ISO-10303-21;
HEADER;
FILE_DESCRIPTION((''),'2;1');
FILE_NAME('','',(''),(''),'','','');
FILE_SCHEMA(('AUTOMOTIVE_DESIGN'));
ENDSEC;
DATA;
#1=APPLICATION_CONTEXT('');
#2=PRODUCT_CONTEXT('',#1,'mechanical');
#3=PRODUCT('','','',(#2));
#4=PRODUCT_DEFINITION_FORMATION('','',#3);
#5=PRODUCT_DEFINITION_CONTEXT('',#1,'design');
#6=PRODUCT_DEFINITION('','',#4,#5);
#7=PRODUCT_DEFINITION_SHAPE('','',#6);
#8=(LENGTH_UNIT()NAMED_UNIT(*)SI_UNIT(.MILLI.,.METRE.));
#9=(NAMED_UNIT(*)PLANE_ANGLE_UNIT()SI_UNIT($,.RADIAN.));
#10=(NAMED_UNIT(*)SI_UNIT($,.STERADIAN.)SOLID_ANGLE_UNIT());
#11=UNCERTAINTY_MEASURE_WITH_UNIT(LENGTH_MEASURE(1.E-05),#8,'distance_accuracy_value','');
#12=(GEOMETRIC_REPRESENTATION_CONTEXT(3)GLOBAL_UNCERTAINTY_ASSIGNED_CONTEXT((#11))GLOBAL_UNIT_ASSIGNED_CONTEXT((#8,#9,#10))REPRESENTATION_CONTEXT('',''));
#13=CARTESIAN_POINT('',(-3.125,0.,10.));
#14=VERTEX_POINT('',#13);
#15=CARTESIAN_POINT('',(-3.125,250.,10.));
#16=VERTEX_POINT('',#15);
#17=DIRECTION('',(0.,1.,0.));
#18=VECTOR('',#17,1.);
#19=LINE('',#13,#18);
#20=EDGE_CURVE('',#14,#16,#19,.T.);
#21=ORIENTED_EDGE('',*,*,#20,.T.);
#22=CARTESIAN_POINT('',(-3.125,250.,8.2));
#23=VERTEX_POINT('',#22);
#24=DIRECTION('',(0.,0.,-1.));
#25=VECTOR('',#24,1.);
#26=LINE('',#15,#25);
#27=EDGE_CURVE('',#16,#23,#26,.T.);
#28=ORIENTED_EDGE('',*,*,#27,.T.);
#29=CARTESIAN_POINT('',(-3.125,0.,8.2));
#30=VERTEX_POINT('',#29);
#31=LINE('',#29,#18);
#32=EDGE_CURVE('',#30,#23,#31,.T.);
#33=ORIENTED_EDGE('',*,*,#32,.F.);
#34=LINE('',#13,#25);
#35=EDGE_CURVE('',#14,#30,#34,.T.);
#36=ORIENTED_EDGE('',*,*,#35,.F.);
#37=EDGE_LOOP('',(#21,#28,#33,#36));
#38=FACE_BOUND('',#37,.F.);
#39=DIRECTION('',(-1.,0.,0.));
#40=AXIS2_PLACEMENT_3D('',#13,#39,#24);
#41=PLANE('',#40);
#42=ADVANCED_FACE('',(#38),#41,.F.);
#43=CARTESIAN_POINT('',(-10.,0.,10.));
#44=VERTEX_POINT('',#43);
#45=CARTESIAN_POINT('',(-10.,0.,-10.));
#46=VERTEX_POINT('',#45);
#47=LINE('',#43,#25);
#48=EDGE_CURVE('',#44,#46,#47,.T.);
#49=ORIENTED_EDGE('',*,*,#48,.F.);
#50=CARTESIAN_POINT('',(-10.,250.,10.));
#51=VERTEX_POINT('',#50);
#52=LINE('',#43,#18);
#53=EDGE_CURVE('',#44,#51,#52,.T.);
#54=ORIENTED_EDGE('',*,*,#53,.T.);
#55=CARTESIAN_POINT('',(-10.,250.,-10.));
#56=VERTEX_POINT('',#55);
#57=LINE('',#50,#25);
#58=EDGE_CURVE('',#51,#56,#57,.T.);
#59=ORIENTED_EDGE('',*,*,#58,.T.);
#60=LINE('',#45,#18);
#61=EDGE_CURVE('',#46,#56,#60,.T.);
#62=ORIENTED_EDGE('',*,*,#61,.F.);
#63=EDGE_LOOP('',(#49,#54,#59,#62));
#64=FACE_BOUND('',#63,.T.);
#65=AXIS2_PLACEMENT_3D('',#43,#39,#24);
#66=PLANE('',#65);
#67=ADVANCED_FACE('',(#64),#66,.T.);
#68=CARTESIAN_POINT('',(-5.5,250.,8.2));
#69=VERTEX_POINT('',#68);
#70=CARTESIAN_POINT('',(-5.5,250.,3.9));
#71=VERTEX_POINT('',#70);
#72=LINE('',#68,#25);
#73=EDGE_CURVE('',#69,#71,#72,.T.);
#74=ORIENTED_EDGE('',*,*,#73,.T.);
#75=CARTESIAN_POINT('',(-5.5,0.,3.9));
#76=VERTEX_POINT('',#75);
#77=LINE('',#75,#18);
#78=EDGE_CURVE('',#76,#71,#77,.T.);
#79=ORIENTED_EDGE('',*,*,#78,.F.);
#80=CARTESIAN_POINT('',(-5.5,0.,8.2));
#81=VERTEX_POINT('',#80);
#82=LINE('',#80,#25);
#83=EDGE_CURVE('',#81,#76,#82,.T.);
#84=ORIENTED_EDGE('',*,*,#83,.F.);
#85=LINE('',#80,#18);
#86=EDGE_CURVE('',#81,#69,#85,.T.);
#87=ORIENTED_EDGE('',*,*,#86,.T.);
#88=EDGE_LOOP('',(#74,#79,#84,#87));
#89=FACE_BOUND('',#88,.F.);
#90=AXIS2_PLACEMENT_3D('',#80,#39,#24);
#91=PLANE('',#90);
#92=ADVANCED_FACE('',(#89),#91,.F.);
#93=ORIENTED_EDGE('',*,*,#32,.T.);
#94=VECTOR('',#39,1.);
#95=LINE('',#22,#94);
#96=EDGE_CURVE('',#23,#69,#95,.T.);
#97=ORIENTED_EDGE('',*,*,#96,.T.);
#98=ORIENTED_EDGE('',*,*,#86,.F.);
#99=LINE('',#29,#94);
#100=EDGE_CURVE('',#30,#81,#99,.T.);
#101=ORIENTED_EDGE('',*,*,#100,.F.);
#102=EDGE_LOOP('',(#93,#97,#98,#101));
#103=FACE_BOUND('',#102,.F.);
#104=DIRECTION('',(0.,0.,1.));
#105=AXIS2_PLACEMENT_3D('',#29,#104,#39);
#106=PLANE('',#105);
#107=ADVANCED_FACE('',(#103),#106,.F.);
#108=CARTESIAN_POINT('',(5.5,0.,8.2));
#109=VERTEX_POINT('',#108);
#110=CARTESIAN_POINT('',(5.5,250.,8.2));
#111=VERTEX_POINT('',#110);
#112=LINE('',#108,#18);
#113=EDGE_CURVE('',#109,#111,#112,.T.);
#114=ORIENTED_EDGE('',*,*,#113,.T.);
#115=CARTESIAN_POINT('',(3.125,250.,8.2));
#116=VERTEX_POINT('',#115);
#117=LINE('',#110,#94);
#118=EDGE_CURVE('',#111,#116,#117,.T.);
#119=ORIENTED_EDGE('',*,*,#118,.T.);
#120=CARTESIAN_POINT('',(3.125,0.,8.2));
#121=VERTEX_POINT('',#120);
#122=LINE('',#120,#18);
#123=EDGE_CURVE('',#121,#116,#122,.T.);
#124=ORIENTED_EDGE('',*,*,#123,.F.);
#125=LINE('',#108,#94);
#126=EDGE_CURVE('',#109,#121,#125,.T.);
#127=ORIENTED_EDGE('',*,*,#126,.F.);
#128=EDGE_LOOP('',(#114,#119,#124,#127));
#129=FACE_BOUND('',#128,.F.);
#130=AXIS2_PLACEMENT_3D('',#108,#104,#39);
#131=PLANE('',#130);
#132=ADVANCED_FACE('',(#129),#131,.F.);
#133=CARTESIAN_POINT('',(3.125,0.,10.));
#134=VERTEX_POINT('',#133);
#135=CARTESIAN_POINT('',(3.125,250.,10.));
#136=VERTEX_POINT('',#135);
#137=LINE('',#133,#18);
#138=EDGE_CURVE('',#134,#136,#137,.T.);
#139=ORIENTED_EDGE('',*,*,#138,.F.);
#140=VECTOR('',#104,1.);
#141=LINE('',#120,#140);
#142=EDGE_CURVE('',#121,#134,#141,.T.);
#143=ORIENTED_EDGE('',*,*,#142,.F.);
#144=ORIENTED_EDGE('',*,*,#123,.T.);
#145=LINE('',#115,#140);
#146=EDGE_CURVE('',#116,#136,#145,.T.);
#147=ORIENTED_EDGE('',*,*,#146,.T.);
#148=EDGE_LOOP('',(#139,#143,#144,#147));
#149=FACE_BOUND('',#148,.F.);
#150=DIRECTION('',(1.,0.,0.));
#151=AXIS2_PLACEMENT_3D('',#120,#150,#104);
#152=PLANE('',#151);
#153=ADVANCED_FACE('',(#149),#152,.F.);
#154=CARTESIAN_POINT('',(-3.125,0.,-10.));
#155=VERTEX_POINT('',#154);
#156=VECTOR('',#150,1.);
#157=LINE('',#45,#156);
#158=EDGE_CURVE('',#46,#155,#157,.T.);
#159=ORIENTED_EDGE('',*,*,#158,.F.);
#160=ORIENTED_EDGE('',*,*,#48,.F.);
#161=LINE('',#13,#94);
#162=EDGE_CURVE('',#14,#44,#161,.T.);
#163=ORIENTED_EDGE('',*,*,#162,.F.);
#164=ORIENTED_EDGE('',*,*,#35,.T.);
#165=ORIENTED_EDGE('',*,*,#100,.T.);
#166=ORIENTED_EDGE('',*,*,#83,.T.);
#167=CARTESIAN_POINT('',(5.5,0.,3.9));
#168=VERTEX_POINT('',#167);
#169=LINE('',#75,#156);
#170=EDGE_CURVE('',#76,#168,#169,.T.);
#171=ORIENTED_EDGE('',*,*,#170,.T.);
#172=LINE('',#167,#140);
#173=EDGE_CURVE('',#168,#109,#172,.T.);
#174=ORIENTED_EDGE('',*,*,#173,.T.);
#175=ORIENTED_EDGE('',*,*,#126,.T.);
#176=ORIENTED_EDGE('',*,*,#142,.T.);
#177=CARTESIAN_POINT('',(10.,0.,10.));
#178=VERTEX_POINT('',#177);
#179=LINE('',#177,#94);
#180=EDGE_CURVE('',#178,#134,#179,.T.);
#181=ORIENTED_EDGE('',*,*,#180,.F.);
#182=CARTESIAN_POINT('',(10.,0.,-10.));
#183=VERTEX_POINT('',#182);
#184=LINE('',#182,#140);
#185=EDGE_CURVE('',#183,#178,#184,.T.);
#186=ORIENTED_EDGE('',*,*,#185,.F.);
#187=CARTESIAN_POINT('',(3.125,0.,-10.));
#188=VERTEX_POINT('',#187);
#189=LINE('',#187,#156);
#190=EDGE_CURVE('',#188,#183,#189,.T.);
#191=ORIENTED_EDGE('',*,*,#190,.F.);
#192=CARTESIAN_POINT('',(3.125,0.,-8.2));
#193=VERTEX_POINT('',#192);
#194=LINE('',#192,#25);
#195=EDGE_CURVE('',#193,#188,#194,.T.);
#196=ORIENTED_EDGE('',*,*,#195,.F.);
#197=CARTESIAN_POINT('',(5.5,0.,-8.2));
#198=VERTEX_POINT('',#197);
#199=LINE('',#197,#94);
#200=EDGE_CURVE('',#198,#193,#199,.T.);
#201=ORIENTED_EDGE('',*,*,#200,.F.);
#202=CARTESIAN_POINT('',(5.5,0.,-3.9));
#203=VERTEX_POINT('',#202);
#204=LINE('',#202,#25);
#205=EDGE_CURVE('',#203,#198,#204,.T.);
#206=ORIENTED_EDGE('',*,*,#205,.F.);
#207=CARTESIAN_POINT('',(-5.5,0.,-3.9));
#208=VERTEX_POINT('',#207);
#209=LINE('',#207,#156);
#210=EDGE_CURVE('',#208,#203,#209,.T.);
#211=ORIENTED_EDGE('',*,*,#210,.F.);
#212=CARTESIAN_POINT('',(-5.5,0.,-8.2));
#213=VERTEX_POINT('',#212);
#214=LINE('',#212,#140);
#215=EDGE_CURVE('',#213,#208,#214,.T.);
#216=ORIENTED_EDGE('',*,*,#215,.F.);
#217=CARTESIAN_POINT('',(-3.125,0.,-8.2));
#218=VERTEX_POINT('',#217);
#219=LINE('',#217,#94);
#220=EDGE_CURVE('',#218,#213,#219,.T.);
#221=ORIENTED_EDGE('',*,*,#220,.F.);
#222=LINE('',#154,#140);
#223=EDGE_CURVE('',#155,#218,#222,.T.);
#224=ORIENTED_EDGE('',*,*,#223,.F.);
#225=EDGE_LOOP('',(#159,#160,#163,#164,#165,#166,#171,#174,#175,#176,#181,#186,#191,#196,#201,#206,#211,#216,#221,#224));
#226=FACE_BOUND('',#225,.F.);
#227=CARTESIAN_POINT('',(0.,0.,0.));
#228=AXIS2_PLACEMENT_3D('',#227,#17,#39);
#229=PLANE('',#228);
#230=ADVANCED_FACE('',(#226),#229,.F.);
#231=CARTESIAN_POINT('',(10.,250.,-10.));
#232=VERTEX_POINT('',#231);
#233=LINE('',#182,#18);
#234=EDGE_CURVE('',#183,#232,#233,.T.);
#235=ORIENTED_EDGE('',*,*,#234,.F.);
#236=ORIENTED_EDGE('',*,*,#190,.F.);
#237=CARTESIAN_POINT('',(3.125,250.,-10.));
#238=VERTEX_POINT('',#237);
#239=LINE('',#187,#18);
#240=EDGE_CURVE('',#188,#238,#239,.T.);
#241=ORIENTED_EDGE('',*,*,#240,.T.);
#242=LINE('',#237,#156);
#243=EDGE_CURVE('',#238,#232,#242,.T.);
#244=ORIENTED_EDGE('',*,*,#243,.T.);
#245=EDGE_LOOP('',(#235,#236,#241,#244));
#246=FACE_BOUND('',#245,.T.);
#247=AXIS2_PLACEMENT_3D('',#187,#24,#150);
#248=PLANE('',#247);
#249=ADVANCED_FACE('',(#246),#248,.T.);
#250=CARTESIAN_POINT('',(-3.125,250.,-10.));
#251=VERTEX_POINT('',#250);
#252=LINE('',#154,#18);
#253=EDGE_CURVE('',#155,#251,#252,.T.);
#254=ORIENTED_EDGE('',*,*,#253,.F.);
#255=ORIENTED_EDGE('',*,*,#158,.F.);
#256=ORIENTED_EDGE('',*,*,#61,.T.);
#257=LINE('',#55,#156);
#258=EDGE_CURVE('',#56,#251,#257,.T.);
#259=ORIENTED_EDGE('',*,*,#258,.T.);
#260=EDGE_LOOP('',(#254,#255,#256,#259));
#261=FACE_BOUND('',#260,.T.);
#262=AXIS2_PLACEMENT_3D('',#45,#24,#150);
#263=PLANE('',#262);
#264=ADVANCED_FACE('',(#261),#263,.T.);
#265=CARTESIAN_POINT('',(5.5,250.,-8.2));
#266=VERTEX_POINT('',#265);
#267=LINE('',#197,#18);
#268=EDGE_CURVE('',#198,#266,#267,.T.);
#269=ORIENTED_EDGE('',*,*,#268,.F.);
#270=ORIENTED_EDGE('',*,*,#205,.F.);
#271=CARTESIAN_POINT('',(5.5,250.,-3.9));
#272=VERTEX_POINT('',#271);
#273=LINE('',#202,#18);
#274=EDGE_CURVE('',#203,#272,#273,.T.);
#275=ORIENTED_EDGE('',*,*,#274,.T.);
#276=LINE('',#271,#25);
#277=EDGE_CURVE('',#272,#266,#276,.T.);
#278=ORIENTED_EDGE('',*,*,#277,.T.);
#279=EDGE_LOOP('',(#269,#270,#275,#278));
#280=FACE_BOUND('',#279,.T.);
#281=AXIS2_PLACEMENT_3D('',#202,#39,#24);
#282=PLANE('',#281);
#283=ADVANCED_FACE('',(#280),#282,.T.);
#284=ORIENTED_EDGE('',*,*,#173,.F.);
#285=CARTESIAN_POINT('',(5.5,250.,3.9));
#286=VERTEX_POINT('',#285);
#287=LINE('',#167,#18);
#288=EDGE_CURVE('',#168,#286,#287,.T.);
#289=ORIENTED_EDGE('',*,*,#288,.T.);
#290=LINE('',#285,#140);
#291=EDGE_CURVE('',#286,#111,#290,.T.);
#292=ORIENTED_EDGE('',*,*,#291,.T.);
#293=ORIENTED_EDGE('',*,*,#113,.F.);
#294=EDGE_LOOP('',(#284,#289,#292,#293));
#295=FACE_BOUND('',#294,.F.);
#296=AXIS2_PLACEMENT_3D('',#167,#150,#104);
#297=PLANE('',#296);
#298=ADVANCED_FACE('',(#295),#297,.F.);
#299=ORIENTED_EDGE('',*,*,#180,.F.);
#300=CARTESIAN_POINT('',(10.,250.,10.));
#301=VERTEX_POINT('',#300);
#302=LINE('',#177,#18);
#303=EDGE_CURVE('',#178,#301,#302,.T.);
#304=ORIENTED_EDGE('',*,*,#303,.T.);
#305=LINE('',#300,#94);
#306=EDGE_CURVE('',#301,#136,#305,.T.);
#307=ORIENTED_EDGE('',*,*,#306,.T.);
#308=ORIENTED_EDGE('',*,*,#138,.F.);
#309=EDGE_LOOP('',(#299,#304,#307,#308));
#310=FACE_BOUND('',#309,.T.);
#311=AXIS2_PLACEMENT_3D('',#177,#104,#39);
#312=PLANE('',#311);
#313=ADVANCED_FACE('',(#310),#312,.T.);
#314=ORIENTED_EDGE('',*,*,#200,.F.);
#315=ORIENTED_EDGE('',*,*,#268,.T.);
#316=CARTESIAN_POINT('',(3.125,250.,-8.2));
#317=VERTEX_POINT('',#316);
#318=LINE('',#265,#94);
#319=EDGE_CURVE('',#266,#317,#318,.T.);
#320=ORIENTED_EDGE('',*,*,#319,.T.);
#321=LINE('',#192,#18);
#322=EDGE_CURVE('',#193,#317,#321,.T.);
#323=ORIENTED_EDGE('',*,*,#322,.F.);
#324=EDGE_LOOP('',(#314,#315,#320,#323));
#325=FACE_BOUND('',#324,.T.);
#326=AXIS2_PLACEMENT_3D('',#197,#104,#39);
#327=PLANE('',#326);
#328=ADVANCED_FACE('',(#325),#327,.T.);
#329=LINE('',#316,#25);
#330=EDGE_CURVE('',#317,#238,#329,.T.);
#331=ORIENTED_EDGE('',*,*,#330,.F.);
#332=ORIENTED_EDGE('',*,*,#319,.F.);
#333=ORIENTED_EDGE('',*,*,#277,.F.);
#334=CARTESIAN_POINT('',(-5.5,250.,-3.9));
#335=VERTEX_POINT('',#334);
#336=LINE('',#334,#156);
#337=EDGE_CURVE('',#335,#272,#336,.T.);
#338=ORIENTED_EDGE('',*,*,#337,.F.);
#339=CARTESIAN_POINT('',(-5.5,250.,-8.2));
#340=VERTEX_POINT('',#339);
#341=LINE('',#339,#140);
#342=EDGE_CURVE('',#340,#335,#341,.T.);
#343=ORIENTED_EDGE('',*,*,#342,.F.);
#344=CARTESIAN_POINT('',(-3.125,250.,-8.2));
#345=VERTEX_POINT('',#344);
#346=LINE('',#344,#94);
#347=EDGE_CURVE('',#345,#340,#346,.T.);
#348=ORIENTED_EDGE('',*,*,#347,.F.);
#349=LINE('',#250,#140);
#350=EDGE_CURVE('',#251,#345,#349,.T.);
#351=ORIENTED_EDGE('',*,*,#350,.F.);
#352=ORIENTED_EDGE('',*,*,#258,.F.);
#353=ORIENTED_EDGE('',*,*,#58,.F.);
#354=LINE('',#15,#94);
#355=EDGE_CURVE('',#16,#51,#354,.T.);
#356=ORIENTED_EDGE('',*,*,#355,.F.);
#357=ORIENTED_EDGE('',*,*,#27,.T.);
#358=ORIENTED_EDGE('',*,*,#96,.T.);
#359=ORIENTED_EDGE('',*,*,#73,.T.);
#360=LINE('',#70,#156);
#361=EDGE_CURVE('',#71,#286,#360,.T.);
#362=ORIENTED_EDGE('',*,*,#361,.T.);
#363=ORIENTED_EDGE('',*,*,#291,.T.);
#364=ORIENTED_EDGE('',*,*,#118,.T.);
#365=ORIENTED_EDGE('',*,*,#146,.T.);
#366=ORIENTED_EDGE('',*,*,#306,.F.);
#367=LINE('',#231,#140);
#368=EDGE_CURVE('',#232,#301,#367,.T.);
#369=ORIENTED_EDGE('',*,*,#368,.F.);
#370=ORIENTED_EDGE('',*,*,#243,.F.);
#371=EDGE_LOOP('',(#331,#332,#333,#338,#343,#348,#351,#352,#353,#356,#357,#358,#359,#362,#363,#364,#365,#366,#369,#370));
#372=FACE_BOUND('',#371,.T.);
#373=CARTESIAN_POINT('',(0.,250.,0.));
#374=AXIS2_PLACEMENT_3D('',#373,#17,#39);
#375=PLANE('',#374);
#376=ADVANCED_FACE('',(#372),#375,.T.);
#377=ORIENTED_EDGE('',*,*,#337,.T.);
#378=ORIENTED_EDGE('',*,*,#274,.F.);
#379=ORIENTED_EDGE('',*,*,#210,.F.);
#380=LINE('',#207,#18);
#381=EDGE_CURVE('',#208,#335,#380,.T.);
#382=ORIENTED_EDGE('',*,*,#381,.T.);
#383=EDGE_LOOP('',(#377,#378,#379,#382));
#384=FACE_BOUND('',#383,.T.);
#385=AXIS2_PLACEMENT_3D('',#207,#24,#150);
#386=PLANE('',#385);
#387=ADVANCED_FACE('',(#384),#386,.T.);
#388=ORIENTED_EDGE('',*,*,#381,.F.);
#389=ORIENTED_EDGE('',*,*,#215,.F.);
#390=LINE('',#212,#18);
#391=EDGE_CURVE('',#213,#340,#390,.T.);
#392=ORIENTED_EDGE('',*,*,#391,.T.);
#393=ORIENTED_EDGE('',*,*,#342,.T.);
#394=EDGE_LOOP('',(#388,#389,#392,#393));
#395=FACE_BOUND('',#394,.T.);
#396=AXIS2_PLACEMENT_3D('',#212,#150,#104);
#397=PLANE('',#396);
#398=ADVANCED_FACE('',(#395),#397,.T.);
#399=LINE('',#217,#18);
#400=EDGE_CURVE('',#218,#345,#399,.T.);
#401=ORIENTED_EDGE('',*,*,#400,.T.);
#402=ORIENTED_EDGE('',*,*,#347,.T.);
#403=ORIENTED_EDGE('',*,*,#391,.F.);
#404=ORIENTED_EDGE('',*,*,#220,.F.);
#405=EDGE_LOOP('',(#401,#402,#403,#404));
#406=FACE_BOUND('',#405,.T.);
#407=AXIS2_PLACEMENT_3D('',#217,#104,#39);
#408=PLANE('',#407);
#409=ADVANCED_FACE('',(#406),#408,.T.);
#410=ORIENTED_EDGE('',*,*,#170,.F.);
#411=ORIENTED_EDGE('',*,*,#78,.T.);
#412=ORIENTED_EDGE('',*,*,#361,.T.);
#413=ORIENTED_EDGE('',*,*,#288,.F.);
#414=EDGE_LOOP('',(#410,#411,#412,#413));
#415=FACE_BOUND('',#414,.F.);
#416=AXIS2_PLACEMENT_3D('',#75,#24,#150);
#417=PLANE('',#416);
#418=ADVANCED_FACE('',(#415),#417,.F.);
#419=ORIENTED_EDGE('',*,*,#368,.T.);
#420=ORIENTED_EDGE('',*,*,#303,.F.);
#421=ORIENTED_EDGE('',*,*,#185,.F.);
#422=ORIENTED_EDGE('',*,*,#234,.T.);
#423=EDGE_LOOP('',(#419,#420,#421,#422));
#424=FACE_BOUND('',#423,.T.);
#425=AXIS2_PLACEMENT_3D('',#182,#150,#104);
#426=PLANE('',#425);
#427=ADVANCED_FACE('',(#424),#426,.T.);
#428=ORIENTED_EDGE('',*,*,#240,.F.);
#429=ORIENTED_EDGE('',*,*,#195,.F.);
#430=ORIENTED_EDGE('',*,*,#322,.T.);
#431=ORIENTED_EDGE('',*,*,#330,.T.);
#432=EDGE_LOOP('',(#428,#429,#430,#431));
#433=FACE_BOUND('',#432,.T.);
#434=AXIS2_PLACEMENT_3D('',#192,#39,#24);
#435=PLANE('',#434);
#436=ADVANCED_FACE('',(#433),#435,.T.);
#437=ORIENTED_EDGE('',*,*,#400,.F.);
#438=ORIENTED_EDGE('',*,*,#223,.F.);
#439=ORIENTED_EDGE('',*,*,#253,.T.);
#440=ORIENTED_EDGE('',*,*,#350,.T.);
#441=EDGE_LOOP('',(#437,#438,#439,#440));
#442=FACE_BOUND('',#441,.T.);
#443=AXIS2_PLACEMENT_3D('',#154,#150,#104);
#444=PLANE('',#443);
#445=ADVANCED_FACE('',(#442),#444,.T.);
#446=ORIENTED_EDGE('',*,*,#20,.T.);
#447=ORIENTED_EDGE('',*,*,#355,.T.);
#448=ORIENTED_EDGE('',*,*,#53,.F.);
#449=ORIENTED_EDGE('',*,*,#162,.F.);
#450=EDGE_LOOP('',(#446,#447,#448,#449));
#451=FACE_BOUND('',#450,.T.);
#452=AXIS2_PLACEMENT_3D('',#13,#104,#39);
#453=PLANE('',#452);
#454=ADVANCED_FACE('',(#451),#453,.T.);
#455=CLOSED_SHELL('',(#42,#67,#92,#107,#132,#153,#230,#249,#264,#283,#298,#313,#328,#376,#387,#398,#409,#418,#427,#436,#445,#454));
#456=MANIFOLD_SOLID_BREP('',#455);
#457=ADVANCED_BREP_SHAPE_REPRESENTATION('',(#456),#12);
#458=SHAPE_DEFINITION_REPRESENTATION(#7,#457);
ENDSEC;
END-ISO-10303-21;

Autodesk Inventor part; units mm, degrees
ref_plane "YZ Plane" through (0, 0, 0) normal (1, 0, 0) x (0, 1, 0)
ref_plane "XZ Plane" through (0, 0, 0) normal (0, 1, 0) x (-1, 0, 0)
ref_plane "XY Plane" through (0, 0, 0) normal (0, 0, 1) x (1, 0, 0)
sketch "Sketch1" plane through (0, 0, 0) normal (0, 1, 0) x (-1, 0, 0)
  line L0 (10, 10) -> (10, -10)
  line L1 (-10, -10) -> (-10, 10)
  line L2 (3.125, -10) -> (3.125, -8.2)
  line L3 (3.125, -8.2) -> (5.5, -8.2)
  line L4 (5.5, -8.2) -> (5.5, -3.9)
  line L5 (5.5, -3.9) -> (-5.5, -3.9)
  line L6 (-5.5, -3.9) -> (-5.5, -8.2)
  line L7 (-5.5, -8.2) -> (-3.125, -8.2)
  line L8 (-3.125, -8.2) -> (-3.125, -10)
  line L9 (10, -10) -> (3.125, -10)
  line L10 (-3.125, -10) -> (-10, -10)
  line L11 (3.125, 10) -> (3.125, 8.2)
  line L12 (3.125, 8.2) -> (5.5, 8.2)
  line L13 (5.5, 8.2) -> (5.5, 3.9)
  line L14 (5.5, 3.9) -> (-5.5, 3.9)
  line L15 (-5.5, 3.9) -> (-5.5, 8.2)
  line L16 (-5.5, 8.2) -> (-3.125, 8.2)
  line L17 (-3.125, 8.2) -> (-3.125, 10)
  line L18 (-10, 10) -> (-3.125, 10)
  line L19 (3.125, 10) -> (10, 10)
  point P0 (0, 0)
  dimension "d0" = 20
  dimension "d1" = 20
  dimension "d4" = 2.375
  dimension "d5" = 4.3
  dimension "d6" = 11
  dimension "d7" = 2.375
  dimension "d8" = 1.8
  dimension "d9" = 6.875
  dimension "d10" = 1.8
  dimension "d11" = 4.3
extrude "Extrusion1" add sketch "Sketch1" along normal blind 250
properties part number "Perfil"
